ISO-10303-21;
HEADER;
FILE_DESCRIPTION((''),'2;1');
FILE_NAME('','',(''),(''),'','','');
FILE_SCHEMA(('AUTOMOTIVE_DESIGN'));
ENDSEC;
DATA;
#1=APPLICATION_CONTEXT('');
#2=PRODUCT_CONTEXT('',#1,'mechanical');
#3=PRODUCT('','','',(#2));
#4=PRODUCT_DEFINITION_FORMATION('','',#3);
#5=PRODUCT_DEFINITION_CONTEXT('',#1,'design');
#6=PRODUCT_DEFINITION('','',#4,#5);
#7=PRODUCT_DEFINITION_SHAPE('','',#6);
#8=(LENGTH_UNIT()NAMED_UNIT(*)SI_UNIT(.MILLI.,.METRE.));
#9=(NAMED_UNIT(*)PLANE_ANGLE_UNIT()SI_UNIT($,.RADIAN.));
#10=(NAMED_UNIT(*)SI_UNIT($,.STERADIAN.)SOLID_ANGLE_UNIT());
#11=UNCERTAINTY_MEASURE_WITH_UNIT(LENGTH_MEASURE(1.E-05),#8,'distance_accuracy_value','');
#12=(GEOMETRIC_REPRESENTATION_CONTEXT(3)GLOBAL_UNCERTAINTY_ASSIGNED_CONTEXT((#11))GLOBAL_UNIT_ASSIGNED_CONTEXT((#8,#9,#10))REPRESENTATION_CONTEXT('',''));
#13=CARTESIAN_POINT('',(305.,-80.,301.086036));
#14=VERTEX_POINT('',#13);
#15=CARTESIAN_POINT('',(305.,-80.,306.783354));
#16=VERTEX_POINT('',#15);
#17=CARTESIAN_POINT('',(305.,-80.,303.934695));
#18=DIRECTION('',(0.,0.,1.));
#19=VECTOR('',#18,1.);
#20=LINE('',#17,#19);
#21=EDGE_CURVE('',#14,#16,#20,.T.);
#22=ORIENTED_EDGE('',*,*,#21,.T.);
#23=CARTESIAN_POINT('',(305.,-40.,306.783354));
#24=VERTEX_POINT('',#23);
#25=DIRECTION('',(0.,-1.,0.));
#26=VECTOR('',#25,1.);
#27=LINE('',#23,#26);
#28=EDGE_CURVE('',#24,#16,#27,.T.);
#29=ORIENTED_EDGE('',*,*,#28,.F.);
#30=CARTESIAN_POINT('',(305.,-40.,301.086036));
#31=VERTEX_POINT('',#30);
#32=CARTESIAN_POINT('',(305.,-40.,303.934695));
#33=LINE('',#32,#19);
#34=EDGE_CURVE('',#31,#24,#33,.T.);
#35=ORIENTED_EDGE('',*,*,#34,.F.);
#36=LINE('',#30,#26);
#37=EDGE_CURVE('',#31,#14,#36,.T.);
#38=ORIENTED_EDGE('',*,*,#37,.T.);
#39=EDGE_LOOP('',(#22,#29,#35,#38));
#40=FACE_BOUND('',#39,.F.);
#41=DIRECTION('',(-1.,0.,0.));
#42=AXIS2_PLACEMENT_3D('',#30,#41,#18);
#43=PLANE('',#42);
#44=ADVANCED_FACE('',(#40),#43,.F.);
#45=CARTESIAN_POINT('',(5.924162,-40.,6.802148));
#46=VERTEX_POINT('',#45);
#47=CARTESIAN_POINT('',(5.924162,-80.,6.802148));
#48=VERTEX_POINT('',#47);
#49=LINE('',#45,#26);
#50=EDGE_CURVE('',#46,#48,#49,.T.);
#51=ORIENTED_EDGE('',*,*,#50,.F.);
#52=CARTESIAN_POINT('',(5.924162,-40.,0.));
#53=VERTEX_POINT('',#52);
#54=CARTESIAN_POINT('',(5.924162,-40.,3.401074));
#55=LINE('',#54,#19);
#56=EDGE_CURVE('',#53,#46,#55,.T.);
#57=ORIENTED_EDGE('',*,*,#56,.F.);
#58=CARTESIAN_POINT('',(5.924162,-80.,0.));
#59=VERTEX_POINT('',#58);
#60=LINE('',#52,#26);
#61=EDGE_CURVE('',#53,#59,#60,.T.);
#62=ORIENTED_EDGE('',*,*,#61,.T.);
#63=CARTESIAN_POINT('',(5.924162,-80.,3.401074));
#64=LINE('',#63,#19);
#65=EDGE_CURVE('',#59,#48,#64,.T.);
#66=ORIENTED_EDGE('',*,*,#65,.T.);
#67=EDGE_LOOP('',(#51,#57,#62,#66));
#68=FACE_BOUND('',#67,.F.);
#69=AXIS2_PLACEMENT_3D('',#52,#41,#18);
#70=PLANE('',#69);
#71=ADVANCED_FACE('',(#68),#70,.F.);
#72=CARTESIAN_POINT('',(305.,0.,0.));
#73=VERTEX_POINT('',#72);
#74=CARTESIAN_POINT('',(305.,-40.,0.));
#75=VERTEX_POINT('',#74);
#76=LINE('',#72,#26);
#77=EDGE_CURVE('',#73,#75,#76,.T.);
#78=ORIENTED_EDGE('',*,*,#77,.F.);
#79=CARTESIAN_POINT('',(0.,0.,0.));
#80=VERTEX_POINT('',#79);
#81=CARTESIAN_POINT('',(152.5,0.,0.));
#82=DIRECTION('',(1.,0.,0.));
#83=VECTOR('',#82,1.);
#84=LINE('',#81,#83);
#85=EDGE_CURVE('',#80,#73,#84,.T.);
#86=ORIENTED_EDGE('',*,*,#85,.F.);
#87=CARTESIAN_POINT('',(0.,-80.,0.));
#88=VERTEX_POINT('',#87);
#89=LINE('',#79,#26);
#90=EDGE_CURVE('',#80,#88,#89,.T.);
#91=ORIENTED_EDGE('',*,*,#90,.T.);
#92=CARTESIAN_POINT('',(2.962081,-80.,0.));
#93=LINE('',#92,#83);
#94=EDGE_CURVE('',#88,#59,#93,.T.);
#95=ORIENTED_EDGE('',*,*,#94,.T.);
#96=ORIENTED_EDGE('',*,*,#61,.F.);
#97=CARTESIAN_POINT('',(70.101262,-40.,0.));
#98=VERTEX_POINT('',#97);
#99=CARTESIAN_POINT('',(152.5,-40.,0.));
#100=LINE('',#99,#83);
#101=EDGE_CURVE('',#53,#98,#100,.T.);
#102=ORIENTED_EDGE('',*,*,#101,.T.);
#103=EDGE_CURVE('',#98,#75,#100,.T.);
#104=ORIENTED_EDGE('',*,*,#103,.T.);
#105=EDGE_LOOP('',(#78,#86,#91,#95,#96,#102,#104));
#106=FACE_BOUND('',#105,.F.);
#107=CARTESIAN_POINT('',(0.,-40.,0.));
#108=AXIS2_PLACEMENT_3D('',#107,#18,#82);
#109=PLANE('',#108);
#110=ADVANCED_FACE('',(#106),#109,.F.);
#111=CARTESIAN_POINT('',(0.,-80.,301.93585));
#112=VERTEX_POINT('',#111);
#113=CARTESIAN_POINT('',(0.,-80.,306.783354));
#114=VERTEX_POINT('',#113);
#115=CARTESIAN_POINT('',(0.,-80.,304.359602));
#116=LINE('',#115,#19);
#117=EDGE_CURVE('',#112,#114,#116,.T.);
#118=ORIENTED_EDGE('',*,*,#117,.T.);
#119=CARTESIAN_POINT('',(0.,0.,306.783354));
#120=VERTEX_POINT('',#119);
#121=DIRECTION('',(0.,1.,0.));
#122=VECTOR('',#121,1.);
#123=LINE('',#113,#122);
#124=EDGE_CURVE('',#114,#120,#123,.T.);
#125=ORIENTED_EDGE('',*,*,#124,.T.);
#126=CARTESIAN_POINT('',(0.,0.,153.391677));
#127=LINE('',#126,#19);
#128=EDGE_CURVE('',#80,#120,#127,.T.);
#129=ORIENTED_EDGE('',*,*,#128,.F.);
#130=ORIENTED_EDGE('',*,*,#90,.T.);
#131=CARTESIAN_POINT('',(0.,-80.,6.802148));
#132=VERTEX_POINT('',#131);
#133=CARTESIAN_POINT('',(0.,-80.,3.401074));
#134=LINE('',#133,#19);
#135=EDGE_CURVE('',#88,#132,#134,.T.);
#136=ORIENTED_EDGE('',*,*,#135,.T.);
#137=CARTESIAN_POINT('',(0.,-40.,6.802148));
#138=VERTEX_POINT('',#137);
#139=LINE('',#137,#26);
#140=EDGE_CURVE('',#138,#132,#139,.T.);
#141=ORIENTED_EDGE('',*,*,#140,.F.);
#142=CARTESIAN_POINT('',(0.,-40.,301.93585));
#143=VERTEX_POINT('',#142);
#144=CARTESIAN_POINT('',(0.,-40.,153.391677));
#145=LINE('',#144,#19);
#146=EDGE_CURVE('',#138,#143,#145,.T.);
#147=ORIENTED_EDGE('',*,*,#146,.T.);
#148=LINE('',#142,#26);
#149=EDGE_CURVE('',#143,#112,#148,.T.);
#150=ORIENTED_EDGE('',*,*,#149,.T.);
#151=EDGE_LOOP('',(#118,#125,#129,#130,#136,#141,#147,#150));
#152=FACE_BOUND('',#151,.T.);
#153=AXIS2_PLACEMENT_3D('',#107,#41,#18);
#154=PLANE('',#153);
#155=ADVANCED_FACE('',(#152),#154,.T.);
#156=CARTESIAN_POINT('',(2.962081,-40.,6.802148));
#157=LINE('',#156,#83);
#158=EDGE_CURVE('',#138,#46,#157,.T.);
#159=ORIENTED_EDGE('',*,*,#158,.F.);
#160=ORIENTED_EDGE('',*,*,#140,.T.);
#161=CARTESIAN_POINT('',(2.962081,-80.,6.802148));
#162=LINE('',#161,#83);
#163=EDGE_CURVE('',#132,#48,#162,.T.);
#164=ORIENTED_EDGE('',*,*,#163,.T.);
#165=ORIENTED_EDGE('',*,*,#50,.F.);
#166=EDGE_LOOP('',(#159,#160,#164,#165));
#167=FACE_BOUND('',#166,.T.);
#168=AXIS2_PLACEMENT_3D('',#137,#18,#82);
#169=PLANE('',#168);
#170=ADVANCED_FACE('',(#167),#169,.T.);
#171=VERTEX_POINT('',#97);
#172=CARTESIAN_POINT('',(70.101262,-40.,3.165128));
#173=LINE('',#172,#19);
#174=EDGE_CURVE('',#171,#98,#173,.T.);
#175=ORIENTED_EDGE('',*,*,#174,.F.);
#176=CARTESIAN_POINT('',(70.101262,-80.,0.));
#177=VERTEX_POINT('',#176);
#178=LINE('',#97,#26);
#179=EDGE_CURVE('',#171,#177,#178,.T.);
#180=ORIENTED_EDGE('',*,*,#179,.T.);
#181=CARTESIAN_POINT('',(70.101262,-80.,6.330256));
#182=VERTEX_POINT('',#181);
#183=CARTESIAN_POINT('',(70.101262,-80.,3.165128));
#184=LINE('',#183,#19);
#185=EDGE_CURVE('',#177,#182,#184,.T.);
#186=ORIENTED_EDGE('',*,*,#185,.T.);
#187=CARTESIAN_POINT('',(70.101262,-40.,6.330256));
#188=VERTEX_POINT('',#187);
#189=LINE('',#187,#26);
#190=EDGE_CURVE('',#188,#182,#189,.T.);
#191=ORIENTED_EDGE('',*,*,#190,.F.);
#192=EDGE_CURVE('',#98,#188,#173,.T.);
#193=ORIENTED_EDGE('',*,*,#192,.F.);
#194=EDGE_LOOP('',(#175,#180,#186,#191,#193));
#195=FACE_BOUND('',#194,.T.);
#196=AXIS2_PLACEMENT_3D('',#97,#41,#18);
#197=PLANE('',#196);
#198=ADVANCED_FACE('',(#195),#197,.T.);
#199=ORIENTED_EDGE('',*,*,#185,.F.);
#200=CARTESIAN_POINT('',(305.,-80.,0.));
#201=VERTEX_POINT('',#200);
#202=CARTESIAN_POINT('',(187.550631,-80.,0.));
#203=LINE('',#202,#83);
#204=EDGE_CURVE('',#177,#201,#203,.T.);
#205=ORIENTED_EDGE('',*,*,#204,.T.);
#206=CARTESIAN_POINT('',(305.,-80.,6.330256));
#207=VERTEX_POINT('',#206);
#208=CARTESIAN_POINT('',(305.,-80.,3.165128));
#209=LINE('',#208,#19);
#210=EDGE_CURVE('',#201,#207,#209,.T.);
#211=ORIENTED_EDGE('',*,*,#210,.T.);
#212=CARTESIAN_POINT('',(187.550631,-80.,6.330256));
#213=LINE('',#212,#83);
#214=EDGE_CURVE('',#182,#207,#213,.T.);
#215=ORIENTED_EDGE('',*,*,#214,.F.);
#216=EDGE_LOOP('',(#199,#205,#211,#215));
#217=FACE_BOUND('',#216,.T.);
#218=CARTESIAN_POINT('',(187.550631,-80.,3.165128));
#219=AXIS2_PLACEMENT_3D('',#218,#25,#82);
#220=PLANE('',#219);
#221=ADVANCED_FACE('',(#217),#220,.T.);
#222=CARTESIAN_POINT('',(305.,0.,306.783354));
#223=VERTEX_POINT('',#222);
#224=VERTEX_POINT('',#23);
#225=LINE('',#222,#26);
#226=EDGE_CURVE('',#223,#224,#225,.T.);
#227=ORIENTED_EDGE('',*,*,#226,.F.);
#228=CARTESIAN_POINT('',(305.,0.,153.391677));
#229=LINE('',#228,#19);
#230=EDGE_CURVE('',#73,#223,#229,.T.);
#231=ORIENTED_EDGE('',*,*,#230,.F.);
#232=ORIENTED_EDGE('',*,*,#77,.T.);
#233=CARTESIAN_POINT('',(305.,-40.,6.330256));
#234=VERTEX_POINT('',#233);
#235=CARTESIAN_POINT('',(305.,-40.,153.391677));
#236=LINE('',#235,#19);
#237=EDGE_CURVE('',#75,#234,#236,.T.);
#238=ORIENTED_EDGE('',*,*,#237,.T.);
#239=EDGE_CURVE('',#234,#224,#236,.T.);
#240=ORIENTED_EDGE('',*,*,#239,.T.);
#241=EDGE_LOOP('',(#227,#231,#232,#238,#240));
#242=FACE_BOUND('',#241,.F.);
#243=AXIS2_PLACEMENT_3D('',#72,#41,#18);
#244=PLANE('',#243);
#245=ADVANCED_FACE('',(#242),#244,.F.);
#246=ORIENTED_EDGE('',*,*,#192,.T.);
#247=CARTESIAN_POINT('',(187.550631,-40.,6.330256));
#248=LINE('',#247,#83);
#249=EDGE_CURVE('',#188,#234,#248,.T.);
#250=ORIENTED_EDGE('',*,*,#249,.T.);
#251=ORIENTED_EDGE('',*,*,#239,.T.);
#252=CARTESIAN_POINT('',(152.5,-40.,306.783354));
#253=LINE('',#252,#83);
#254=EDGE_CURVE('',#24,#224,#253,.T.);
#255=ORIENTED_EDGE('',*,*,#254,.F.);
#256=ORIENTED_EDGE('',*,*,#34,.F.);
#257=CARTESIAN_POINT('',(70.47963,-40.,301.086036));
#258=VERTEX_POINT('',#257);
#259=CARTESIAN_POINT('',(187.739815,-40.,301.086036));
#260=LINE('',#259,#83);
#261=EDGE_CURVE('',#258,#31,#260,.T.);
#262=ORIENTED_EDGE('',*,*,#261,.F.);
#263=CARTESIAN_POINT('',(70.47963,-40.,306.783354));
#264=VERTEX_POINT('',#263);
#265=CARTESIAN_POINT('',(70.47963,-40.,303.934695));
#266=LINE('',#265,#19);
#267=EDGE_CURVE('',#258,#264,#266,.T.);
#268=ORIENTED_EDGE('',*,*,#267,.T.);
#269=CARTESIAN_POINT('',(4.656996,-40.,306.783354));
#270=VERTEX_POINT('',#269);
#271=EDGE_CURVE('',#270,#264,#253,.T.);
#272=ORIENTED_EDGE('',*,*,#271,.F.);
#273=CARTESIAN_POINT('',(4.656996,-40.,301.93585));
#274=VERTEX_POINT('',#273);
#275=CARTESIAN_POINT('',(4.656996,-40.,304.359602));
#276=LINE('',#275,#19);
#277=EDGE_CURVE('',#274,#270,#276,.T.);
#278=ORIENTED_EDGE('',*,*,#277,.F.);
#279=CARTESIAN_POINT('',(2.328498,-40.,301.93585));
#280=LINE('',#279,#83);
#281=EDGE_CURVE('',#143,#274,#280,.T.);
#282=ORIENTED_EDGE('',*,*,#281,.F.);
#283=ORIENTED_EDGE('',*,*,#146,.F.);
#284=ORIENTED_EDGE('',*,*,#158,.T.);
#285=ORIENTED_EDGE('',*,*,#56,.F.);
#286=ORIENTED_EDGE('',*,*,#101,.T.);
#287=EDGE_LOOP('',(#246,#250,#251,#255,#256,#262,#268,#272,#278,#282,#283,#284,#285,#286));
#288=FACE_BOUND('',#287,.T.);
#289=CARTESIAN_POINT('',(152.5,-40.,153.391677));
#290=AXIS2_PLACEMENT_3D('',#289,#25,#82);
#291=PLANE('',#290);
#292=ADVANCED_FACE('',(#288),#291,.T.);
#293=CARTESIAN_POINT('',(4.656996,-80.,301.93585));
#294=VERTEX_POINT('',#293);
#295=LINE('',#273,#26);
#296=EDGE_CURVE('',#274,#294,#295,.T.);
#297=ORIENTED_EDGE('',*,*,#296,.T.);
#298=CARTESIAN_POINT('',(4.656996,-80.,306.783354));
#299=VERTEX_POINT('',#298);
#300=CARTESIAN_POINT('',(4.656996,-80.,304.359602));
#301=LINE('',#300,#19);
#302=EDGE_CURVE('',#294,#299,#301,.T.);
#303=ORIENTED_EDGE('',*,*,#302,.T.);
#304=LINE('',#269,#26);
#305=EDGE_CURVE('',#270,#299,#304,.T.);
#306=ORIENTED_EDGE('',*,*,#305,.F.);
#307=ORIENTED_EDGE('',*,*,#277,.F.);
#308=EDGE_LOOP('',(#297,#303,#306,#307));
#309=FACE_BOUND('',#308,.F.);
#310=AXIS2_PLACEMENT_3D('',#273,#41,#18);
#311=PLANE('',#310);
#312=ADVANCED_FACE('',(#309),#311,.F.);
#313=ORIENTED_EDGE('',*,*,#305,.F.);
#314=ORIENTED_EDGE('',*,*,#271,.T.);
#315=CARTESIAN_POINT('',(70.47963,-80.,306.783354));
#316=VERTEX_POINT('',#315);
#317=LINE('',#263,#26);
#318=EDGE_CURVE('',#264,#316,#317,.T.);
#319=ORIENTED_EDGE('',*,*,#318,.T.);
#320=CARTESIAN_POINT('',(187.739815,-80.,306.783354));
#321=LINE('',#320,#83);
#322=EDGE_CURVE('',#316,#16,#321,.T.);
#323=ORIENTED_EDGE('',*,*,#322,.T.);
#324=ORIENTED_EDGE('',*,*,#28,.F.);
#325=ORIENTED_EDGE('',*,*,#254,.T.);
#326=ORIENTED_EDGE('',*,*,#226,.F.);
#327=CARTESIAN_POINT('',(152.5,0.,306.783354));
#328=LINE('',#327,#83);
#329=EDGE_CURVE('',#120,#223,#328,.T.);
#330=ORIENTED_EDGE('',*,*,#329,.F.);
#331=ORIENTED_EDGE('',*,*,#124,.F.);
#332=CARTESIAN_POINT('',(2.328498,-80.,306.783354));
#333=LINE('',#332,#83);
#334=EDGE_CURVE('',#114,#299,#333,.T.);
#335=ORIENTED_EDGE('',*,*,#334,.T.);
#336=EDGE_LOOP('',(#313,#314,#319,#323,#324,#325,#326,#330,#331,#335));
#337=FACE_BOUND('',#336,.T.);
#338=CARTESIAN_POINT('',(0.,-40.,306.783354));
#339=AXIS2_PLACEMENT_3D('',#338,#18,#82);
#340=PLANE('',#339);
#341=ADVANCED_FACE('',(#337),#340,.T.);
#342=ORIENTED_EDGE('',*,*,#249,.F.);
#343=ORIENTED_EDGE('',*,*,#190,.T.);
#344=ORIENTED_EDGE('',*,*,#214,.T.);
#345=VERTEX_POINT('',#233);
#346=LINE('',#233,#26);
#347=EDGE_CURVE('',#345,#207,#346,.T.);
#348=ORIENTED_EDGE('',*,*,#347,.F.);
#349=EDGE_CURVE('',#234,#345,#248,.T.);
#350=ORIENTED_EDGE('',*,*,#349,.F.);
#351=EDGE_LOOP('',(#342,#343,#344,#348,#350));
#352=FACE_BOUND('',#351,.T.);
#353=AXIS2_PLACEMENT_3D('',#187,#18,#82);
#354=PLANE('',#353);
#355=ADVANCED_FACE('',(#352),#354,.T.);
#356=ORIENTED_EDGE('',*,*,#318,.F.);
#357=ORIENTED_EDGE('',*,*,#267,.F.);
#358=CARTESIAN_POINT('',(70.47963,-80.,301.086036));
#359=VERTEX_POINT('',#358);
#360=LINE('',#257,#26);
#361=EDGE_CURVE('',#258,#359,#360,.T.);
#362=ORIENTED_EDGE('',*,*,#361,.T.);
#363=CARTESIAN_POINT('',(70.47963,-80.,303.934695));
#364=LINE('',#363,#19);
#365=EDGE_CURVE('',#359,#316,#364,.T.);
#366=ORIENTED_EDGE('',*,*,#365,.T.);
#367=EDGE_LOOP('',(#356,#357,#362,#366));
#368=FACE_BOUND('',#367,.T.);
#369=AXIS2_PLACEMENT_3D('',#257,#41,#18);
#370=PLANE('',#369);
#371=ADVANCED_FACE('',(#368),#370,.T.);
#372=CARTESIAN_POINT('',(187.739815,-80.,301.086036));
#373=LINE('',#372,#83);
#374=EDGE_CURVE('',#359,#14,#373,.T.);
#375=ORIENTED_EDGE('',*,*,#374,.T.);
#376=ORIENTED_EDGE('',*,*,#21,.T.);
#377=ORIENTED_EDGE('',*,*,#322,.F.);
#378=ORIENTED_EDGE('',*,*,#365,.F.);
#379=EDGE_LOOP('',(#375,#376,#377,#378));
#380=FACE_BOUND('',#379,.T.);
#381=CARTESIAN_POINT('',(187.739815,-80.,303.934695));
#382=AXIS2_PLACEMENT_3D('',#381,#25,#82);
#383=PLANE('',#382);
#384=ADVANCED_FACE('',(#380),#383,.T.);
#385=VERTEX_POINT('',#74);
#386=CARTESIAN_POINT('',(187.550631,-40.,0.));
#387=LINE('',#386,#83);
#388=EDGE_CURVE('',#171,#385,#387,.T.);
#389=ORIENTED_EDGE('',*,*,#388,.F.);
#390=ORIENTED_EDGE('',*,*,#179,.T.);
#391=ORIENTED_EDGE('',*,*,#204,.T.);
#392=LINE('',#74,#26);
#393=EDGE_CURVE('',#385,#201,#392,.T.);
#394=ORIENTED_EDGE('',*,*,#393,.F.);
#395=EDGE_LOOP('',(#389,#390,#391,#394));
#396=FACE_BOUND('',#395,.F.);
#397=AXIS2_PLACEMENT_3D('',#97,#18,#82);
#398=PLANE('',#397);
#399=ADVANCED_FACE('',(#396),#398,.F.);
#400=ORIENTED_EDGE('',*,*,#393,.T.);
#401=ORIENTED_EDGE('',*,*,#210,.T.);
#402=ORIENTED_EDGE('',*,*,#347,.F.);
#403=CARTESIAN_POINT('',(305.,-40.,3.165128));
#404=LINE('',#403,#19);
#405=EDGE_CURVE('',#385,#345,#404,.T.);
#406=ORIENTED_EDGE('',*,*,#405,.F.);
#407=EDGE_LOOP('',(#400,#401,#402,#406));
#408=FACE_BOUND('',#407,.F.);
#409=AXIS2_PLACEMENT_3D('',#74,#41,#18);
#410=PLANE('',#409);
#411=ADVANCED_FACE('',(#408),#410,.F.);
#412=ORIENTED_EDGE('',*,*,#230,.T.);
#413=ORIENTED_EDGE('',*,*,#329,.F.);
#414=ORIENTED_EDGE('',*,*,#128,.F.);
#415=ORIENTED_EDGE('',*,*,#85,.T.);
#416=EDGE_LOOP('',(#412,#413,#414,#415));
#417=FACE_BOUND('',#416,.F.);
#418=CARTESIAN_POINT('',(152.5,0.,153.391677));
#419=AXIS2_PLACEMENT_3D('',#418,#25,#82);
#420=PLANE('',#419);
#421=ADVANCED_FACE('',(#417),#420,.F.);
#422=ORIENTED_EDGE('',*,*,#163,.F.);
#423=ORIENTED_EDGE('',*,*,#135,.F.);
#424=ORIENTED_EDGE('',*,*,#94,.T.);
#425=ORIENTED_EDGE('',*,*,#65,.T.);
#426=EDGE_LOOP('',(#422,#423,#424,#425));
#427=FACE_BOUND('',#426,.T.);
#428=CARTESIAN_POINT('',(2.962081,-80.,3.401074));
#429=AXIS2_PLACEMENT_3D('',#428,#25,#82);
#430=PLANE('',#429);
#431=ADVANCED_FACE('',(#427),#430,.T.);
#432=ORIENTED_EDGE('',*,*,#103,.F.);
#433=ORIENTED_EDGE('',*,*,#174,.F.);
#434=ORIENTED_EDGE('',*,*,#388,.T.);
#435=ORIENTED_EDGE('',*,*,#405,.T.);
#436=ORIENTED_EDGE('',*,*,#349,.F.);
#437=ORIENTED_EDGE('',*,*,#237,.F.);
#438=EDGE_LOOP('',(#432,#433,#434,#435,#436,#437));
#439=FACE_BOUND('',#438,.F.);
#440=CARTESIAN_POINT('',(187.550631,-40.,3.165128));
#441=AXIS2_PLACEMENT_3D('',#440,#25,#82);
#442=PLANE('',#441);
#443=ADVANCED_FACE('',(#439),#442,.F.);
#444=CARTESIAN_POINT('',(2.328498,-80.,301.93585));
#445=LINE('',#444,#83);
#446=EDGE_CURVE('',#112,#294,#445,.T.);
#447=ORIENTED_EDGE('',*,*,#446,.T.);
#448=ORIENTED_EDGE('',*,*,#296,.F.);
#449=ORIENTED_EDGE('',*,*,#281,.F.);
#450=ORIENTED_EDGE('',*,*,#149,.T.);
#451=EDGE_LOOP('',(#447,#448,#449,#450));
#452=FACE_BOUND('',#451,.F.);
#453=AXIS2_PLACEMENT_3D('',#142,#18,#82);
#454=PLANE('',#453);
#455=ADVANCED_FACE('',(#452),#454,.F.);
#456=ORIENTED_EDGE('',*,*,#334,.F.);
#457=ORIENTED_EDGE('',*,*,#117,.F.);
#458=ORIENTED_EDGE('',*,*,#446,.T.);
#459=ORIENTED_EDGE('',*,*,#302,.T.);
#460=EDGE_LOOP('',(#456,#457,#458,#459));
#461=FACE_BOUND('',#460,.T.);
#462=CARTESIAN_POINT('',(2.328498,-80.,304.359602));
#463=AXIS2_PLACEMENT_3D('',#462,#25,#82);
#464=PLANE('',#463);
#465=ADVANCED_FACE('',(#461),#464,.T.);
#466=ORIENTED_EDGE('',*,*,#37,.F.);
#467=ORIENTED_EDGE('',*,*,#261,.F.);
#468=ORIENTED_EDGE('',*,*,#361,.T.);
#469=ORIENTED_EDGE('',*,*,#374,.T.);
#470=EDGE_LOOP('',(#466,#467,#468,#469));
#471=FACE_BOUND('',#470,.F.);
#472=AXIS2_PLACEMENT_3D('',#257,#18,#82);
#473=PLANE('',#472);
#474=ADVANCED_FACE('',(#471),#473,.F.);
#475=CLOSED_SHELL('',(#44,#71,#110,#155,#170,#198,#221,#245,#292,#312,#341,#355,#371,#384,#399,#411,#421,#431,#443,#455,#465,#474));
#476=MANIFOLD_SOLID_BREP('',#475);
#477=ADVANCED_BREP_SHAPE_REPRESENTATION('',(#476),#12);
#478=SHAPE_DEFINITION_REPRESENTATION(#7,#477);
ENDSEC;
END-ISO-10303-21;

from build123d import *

# Parameters (mm, degrees)
F0_W     = 305
F0_H     = 306.783354
F1_DEPTH = 40
F2_W     = 4.656996
F2_H     = 4.847504
F3_DEPTH = 40
F4_W     = 234.520369
F4_H     = 5.697318
F5_DEPTH = 40
F6_W     = 5.924162
F6_H     = 6.802148
F7_DEPTH = 40
F8_W     = 234.898739
F8_H     = 6.330257
F9_DEPTH = 40


with BuildPart() as f1:
    # F0 (on Front) → F1 (new body)
    with BuildSketch(Plane.XZ):
        with Locations((152.5, 153.391677)):
            Rectangle(F0_W, F0_H)
    extrude(amount=F1_DEPTH)

    # F2 (on face) → F3 (join)
    with BuildSketch(Plane.XZ.offset(40)):
        with Locations((2.328498, 304.359602)):
            Rectangle(F2_W, F2_H)
    extrude(amount=F3_DEPTH)

    # F4 (on face) → F5 (join)
    with BuildSketch(Plane.XZ.offset(40)):
        with Locations((187.739815, 303.934695)):
            Rectangle(F4_W, F4_H)
    extrude(amount=F5_DEPTH)

    # F6 (on face) → F7 (join)
    with BuildSketch(Plane.XZ.offset(40)):
        with Locations((2.962081, 3.401074)):
            Rectangle(F6_W, F6_H)
    extrude(amount=F7_DEPTH)

    # F8 (on face) → F9 (join)
    with BuildSketch(Plane.XZ.offset(40)):
        with Locations((187.550631, 3.165128)):
            Rectangle(F8_W, F8_H)
    extrude(amount=F9_DEPTH)


solid = f1.part
